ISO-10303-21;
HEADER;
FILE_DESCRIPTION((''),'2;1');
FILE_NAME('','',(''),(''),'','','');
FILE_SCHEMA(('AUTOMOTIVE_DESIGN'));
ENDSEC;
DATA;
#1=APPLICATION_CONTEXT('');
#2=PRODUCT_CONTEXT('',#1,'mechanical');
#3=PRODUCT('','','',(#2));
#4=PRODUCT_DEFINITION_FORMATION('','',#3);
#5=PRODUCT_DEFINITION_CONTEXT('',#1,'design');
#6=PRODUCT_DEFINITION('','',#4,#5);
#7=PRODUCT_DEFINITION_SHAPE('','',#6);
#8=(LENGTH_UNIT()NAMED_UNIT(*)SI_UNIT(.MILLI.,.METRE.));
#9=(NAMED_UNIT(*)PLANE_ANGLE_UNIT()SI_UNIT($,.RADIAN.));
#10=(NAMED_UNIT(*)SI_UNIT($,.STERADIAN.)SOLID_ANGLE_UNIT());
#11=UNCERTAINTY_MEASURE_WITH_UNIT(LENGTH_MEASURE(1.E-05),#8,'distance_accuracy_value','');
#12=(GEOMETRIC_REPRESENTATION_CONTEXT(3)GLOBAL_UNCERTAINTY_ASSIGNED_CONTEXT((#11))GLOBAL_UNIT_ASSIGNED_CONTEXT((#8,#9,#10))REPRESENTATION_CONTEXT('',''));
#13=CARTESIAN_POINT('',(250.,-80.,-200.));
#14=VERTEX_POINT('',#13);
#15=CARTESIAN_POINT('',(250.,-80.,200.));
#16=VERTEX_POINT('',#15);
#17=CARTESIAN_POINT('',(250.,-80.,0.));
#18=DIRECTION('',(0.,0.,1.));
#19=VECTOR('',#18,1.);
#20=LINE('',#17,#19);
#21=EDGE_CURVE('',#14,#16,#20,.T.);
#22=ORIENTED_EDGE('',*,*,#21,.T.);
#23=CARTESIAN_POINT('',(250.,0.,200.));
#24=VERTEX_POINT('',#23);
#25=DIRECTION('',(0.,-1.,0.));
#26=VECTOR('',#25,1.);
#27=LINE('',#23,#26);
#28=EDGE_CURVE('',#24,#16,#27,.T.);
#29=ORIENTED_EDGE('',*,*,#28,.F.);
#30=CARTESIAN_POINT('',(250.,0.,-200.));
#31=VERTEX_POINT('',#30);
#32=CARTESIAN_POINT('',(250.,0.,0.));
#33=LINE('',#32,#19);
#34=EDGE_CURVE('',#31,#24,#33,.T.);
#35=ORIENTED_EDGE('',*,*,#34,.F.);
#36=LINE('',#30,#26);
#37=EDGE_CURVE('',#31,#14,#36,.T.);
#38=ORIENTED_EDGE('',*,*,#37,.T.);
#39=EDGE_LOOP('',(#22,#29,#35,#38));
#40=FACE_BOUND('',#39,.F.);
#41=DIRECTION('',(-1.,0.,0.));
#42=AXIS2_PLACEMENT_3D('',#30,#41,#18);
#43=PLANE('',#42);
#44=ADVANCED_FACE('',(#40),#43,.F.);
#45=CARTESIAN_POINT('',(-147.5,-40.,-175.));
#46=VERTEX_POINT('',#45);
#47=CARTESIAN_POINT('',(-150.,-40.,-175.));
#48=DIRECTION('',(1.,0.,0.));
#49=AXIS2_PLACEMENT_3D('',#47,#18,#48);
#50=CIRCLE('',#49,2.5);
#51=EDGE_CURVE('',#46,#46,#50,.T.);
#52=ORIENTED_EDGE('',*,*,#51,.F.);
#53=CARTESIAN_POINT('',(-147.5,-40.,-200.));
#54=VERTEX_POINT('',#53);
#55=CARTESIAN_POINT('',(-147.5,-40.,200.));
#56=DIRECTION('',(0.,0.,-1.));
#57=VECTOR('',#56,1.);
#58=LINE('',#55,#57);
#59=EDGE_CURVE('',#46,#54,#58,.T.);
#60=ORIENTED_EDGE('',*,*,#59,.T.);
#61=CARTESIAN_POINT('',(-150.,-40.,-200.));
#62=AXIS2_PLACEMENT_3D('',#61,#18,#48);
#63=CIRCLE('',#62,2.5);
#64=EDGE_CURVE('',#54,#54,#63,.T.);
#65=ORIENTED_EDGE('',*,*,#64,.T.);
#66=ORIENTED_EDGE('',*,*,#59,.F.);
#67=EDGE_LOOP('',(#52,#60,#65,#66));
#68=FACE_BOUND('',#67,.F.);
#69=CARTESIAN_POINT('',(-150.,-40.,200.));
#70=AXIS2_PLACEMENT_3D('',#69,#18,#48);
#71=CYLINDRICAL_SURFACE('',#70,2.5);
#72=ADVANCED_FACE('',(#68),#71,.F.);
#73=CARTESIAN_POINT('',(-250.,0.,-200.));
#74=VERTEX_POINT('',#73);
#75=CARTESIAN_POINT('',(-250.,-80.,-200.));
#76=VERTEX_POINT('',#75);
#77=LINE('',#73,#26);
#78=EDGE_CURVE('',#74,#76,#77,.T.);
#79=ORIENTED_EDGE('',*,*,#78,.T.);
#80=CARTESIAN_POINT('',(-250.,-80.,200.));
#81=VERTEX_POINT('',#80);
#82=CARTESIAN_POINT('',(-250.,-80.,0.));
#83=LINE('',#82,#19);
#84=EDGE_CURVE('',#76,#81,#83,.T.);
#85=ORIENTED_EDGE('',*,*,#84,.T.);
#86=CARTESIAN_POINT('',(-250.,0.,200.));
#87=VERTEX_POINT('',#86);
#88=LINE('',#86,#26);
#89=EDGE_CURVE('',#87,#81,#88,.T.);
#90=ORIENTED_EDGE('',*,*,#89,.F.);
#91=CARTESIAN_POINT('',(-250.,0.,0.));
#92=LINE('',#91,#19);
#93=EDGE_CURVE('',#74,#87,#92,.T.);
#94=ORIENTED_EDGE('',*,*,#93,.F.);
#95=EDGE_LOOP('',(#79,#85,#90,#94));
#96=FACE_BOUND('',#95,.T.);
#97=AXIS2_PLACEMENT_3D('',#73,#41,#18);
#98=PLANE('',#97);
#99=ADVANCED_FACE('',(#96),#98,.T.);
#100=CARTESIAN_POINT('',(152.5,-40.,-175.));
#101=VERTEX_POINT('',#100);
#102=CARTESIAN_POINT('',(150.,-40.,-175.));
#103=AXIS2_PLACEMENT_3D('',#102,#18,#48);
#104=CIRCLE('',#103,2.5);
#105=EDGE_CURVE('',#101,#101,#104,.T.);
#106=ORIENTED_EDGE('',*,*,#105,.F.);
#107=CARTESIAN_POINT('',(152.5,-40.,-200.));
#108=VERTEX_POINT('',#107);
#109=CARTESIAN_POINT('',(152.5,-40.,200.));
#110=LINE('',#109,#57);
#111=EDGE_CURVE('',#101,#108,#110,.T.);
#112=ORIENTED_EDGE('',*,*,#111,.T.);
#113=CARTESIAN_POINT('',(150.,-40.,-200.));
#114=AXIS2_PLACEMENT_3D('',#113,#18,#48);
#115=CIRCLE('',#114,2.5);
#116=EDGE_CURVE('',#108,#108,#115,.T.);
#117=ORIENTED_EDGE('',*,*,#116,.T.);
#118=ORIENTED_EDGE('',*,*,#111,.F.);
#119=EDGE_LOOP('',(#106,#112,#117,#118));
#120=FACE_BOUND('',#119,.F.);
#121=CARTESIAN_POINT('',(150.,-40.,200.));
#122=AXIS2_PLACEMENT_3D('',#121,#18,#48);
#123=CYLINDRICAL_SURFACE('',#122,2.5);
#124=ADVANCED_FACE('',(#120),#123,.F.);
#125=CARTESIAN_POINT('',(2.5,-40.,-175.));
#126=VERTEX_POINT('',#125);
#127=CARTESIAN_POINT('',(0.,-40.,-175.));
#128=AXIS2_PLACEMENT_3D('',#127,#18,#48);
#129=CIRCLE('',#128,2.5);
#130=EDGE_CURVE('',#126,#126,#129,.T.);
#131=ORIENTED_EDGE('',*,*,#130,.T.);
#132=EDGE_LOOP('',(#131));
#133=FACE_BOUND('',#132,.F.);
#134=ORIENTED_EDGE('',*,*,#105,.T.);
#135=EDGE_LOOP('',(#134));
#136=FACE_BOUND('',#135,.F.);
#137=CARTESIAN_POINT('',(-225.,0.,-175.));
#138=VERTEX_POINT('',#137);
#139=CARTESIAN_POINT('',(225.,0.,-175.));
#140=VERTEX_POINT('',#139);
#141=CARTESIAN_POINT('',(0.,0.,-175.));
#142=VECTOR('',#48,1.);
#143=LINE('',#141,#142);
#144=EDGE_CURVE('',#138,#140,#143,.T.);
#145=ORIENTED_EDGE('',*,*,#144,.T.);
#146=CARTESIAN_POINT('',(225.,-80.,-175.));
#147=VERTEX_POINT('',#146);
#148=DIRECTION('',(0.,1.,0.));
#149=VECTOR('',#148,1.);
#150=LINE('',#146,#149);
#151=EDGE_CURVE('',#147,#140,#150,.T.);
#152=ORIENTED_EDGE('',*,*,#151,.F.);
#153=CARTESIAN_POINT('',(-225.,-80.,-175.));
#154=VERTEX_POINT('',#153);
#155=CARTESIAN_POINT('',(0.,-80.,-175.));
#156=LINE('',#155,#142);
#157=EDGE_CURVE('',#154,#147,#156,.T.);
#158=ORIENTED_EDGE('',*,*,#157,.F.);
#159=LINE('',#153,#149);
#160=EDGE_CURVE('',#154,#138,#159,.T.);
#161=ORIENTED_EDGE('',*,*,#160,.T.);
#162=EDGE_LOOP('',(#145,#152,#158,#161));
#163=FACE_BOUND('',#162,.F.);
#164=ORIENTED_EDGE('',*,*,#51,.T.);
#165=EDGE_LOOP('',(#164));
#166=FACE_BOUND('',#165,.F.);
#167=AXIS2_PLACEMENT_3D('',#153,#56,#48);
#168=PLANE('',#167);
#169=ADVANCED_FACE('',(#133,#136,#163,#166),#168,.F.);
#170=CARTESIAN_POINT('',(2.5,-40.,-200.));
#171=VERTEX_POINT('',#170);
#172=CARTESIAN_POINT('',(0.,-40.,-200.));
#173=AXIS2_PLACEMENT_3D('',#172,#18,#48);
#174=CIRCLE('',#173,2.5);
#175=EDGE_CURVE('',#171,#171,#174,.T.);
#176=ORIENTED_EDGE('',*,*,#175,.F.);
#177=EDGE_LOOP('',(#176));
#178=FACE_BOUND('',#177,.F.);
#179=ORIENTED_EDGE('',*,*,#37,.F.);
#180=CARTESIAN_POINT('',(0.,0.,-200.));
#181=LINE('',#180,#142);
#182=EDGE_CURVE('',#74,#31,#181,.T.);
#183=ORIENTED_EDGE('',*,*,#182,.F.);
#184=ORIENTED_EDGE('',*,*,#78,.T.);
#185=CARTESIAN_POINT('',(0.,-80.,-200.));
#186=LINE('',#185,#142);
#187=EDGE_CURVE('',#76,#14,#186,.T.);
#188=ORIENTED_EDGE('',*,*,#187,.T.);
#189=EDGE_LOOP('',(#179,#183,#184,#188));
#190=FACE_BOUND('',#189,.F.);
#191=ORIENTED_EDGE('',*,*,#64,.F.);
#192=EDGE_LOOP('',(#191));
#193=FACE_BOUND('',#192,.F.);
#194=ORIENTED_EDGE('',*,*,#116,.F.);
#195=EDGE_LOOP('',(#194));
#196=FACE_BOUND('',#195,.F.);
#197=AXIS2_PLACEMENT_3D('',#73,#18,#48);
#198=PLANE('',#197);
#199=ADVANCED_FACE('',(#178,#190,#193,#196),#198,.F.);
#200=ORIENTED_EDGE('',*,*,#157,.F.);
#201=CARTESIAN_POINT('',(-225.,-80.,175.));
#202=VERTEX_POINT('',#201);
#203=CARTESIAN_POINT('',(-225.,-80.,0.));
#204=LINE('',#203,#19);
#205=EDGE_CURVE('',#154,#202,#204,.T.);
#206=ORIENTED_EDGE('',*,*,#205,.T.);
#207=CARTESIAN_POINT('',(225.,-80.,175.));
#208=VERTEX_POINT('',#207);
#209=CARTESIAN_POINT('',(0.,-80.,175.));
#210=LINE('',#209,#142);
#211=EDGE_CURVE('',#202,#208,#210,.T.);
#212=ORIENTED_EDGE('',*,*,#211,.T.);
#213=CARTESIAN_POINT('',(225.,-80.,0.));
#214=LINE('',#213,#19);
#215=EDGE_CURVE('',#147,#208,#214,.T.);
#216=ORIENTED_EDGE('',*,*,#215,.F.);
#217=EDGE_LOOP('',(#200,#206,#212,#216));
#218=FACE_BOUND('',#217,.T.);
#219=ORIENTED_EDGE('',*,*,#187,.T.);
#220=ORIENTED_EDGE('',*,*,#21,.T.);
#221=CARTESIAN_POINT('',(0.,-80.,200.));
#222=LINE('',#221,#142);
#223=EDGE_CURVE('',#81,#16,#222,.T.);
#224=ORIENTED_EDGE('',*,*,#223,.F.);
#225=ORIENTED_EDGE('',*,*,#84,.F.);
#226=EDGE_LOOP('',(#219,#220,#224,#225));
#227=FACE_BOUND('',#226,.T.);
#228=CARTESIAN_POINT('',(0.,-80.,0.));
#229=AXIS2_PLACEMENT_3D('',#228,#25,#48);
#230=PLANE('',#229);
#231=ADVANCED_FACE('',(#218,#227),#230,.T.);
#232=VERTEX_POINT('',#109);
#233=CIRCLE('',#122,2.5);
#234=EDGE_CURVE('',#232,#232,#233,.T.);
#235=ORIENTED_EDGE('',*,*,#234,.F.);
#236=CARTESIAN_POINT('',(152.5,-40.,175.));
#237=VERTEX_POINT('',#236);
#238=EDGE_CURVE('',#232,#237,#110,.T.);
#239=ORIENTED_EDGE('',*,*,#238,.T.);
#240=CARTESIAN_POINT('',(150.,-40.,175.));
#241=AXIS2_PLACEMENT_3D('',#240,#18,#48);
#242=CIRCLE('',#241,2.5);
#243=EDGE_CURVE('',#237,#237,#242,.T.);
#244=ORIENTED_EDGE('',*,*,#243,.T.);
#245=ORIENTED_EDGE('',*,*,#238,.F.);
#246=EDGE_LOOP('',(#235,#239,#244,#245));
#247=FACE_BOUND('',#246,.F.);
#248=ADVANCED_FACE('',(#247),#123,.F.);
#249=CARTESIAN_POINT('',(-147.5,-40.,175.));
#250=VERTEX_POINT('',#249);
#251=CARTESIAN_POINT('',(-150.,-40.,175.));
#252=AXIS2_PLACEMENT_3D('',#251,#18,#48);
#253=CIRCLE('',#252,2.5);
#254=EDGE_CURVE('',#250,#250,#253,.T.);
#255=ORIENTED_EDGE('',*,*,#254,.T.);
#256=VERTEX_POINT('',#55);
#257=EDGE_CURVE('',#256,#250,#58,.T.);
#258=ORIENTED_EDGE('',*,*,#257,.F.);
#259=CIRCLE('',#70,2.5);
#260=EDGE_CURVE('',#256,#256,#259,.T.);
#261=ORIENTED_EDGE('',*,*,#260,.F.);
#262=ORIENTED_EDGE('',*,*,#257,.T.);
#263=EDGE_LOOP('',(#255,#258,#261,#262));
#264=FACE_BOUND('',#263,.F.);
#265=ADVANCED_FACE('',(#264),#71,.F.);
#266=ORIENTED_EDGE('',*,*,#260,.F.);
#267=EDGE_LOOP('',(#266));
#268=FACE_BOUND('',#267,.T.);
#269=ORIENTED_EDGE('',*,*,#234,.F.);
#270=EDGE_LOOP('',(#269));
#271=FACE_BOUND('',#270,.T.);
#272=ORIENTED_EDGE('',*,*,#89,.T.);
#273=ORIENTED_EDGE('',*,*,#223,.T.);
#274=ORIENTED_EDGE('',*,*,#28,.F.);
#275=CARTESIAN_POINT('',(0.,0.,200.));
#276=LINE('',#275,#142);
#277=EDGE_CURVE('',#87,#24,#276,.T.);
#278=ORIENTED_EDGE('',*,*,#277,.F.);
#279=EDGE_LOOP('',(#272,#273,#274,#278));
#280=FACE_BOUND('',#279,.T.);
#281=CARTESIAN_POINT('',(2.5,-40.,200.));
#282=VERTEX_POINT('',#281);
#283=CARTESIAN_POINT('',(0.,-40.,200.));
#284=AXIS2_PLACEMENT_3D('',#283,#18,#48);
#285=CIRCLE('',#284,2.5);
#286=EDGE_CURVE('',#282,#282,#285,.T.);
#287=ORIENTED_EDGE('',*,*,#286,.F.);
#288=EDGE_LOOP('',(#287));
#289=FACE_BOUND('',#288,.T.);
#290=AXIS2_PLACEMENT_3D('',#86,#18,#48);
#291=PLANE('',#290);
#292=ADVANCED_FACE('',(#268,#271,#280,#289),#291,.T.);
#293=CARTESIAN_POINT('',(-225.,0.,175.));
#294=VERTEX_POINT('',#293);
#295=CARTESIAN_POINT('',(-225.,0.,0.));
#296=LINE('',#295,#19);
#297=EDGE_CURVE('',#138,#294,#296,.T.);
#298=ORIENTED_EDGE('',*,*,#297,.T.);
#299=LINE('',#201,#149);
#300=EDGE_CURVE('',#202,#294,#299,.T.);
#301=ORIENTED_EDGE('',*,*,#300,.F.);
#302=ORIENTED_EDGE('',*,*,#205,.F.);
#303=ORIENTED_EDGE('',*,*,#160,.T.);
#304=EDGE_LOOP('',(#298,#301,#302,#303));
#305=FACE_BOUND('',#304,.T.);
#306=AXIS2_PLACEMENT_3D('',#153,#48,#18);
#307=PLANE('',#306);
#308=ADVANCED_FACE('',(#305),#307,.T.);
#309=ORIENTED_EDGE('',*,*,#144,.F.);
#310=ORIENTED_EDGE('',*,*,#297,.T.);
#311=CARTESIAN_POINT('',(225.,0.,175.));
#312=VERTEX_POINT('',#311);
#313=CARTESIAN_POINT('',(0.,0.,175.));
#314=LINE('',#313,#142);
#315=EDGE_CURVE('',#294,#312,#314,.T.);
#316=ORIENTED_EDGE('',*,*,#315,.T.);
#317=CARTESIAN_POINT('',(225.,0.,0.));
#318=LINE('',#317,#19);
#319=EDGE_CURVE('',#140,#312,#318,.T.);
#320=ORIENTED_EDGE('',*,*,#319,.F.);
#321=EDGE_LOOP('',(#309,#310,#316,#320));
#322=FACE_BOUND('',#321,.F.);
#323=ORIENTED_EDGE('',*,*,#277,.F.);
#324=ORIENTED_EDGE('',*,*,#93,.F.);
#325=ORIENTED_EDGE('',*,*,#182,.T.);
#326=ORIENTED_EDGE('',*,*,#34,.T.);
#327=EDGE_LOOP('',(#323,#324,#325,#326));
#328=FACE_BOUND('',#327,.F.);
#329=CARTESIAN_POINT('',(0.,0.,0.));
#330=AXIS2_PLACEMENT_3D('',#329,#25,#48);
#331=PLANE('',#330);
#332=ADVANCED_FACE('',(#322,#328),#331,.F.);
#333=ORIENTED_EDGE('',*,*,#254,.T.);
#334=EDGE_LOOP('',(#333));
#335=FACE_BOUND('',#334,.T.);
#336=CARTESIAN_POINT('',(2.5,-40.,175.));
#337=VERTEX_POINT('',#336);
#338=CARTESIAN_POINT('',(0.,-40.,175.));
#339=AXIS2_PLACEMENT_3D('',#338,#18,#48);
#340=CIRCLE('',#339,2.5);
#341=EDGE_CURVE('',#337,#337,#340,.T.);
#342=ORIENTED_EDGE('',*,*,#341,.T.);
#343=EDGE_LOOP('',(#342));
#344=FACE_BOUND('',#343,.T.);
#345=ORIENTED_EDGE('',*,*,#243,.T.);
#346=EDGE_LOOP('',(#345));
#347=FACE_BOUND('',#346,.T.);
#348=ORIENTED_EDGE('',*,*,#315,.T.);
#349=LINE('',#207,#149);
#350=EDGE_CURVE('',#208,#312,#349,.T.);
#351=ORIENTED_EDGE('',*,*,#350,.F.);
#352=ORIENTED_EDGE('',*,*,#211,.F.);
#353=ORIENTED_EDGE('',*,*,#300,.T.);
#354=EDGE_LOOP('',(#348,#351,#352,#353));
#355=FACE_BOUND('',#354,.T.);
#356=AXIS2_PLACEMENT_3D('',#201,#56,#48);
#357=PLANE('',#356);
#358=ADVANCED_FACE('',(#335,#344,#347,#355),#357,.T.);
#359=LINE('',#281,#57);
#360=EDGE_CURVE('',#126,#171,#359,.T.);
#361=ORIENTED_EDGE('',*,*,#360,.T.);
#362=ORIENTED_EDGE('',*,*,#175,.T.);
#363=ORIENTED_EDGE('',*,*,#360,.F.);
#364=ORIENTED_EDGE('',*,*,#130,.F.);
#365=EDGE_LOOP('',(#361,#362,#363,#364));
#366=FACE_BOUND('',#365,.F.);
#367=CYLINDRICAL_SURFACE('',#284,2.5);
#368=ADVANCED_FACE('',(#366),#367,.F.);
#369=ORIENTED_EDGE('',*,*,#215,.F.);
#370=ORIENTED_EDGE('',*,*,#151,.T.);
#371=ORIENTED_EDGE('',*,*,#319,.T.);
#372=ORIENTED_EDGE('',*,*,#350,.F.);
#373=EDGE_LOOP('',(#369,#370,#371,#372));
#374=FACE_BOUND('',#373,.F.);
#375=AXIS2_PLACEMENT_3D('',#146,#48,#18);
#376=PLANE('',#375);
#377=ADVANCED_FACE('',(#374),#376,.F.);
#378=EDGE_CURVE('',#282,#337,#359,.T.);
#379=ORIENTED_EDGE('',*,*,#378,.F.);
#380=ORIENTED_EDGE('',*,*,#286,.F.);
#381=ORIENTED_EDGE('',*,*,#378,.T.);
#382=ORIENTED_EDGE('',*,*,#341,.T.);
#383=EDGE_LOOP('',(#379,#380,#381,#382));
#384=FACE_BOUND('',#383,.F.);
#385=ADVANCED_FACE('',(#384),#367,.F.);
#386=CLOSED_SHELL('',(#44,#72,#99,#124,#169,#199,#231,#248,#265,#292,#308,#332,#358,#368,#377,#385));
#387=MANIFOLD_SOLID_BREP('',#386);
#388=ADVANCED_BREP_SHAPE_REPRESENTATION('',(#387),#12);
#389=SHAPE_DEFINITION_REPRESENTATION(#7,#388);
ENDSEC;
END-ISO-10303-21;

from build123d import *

# Parameters (mm, degrees)
F0_W     = 500
F0_H     = 400
F1_DEPTH = 80
F2_W     = 450
F2_H     = 350
F3_DEPTH = 80
F4_R     = 2.5
F5_DEPTH = 400.001


with BuildPart() as f1:
    # F0 (on Front) → F1 (new body)
    with BuildSketch(Plane.XZ):
        Rectangle(F0_W, F0_H)
    extrude(amount=F1_DEPTH)

    # F2 (on face) → F3 (cut, through all)
    with BuildSketch(Plane.XZ.offset(80)):
        Rectangle(F2_W, F2_H)
    extrude(amount=-F3_DEPTH, mode=Mode.SUBTRACT)

    # F4 (on face) → F5 (cut, through all)
    with BuildSketch(Plane.XY.offset(200)):
        with Locations((-150, -40)):
            Circle(F4_R)
        with Locations((0, -40)):
            Circle(F4_R)
        with Locations((150, -40)):
            Circle(F4_R)
    extrude(amount=-F5_DEPTH, mode=Mode.SUBTRACT)


solid = f1.part
